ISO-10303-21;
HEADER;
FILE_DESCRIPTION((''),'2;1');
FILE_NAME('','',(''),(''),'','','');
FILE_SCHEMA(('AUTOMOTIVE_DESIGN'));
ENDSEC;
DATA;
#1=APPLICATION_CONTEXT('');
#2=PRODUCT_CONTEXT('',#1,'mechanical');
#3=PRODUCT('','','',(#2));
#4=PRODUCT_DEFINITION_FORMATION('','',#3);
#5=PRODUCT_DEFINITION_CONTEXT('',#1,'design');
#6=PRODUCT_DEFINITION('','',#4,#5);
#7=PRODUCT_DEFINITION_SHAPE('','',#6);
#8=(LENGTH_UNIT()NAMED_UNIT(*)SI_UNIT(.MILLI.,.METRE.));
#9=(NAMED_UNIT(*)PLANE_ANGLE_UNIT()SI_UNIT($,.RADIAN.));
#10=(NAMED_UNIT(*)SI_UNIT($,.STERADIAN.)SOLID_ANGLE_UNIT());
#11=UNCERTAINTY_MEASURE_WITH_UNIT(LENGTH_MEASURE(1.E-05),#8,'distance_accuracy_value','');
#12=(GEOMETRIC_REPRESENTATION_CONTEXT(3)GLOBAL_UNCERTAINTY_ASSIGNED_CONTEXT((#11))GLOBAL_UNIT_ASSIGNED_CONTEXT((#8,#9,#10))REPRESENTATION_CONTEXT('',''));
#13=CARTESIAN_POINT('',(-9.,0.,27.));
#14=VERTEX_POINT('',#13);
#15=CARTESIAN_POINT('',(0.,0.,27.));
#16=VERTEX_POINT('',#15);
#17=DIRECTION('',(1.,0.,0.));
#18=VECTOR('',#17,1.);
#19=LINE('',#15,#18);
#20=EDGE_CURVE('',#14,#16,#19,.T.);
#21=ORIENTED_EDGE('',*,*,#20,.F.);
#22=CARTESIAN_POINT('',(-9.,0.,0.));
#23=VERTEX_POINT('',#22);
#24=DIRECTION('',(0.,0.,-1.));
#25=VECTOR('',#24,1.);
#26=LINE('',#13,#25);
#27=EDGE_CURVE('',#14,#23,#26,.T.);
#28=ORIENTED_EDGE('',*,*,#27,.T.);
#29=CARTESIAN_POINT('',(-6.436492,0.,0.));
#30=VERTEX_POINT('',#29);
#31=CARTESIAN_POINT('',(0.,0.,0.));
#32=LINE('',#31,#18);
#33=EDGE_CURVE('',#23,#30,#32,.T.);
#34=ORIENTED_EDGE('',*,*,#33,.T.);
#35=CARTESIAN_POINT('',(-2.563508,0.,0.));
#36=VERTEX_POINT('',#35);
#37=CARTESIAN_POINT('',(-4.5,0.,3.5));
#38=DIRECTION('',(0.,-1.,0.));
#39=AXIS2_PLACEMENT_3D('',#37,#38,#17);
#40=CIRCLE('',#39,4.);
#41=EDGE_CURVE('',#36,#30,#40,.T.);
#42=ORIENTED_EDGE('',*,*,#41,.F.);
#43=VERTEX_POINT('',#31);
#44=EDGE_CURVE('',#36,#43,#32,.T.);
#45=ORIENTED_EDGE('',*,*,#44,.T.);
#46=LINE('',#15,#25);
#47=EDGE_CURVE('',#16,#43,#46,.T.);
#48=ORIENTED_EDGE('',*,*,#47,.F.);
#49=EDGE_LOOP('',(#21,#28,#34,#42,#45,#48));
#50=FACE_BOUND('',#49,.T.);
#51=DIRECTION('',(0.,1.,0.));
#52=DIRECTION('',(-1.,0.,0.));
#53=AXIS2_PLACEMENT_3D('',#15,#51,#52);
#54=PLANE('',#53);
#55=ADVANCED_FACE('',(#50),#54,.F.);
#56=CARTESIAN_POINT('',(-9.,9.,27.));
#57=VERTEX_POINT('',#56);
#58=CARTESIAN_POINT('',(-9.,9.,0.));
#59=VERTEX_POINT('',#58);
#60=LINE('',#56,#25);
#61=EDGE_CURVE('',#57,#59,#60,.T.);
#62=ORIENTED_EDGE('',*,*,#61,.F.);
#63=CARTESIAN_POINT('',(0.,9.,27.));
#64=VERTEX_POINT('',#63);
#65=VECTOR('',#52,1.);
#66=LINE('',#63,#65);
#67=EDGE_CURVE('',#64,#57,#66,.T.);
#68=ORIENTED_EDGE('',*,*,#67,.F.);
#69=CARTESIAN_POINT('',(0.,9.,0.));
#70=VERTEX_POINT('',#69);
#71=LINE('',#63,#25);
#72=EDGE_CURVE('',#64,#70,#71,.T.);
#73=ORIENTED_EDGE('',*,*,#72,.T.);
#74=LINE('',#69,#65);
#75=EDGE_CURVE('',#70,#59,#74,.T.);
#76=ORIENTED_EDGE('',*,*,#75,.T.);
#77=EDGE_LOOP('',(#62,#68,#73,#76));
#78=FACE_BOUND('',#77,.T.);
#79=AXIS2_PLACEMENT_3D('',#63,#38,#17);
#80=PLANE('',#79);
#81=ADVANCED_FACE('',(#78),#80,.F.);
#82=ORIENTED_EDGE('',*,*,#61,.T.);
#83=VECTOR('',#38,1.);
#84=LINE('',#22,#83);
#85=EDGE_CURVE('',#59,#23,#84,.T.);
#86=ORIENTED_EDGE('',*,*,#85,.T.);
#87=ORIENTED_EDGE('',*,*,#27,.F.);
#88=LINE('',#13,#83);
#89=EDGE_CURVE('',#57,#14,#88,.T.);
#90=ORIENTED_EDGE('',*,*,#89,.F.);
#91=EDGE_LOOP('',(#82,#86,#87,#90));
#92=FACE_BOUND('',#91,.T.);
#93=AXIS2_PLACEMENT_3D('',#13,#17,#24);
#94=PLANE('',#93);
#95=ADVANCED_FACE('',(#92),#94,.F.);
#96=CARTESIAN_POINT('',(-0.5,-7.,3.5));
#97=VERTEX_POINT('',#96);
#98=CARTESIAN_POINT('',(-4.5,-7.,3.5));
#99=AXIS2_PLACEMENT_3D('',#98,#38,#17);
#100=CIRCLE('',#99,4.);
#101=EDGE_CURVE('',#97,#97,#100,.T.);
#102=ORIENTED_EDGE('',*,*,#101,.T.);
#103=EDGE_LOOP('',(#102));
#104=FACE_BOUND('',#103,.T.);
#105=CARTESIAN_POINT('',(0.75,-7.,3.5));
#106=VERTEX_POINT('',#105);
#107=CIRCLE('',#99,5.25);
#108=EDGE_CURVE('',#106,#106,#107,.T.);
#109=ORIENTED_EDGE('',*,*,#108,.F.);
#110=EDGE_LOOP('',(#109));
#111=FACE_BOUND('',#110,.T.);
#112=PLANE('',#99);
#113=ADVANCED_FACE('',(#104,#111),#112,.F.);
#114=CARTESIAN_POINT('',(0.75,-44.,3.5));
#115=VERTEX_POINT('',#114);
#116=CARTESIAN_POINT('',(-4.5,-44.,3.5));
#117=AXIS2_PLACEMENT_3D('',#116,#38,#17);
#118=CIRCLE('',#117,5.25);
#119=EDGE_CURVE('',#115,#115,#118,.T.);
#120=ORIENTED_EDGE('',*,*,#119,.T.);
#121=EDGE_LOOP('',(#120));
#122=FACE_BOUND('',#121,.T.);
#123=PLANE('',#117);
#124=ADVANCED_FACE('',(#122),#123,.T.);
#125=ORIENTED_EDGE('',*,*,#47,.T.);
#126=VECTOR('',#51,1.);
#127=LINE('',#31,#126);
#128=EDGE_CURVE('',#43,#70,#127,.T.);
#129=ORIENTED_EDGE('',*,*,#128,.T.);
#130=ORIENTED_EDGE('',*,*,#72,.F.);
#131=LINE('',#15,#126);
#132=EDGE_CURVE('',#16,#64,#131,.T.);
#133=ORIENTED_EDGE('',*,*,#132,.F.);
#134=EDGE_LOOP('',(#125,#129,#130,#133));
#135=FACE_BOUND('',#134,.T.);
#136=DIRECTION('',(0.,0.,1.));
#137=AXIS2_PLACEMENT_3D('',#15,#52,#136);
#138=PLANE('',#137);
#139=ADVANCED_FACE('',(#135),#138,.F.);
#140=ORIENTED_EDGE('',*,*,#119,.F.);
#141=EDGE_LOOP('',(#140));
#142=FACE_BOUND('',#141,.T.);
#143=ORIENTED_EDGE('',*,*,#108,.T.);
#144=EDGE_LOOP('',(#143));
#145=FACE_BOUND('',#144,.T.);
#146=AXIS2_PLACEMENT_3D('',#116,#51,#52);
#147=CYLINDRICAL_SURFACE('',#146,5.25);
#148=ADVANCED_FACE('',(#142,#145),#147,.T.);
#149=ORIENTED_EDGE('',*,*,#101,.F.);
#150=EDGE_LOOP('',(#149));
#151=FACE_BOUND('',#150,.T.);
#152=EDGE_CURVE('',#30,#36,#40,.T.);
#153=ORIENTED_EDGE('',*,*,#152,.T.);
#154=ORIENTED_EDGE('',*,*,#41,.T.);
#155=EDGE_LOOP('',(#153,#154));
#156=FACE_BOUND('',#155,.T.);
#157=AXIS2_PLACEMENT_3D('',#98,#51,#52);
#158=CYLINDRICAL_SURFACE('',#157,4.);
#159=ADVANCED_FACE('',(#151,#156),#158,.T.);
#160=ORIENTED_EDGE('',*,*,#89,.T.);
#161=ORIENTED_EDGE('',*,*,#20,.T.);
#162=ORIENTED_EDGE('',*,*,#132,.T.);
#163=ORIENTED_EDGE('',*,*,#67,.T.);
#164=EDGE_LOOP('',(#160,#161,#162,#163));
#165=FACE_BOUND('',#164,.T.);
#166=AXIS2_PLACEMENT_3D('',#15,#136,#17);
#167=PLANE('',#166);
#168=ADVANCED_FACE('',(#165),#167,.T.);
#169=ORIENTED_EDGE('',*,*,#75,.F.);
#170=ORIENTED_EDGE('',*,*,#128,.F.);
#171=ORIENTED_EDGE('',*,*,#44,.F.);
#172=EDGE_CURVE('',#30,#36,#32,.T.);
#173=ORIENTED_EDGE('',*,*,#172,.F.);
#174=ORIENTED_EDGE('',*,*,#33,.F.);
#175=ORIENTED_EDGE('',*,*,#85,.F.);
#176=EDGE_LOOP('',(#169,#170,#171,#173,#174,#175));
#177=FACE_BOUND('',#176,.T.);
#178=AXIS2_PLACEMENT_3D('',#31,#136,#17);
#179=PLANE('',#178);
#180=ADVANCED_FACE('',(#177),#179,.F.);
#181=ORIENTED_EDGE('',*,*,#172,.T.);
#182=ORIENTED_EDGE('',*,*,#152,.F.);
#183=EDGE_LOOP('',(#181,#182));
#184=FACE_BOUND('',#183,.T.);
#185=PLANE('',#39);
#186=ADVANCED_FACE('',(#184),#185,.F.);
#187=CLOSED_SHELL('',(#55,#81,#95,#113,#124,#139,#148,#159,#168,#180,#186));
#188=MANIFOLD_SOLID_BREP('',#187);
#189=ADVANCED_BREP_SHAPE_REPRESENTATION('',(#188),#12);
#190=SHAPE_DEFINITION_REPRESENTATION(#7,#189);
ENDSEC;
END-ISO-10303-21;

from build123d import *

# Parameters (mm, degrees)
SKETCH_1_W      = 9
SKETCH_1_H      = 9
EXTRUDE_1_DEPTH = 27
SKETCH_2_R      = 4
EXTRUDE_2_DEPTH = 7
SKETCH_3_R      = 5.25
EXTRUDE_3_DEPTH = 37


with BuildPart() as part:
    # 草图1 → 凸台-拉伸1 (new body)
    with BuildSketch(Plane.XY):
        with Locations((-4.5, 4.5)):
            Rectangle(SKETCH_1_W, SKETCH_1_H)
    extrude(amount=EXTRUDE_1_DEPTH)

    # 草图2 → 凸台-拉伸2 (add)
    with BuildSketch(Plane.XZ):
        with Locations((-4.5, 3.5)):
            Circle(SKETCH_2_R)
    extrude(amount=EXTRUDE_2_DEPTH)

    # 草图3 → 凸台-拉伸3 (add)
    with BuildSketch(Plane.XZ.offset(7)):
        with Locations((-4.5, 3.5)):
            Circle(SKETCH_3_R)
    extrude(amount=EXTRUDE_3_DEPTH)


solid = part.part
